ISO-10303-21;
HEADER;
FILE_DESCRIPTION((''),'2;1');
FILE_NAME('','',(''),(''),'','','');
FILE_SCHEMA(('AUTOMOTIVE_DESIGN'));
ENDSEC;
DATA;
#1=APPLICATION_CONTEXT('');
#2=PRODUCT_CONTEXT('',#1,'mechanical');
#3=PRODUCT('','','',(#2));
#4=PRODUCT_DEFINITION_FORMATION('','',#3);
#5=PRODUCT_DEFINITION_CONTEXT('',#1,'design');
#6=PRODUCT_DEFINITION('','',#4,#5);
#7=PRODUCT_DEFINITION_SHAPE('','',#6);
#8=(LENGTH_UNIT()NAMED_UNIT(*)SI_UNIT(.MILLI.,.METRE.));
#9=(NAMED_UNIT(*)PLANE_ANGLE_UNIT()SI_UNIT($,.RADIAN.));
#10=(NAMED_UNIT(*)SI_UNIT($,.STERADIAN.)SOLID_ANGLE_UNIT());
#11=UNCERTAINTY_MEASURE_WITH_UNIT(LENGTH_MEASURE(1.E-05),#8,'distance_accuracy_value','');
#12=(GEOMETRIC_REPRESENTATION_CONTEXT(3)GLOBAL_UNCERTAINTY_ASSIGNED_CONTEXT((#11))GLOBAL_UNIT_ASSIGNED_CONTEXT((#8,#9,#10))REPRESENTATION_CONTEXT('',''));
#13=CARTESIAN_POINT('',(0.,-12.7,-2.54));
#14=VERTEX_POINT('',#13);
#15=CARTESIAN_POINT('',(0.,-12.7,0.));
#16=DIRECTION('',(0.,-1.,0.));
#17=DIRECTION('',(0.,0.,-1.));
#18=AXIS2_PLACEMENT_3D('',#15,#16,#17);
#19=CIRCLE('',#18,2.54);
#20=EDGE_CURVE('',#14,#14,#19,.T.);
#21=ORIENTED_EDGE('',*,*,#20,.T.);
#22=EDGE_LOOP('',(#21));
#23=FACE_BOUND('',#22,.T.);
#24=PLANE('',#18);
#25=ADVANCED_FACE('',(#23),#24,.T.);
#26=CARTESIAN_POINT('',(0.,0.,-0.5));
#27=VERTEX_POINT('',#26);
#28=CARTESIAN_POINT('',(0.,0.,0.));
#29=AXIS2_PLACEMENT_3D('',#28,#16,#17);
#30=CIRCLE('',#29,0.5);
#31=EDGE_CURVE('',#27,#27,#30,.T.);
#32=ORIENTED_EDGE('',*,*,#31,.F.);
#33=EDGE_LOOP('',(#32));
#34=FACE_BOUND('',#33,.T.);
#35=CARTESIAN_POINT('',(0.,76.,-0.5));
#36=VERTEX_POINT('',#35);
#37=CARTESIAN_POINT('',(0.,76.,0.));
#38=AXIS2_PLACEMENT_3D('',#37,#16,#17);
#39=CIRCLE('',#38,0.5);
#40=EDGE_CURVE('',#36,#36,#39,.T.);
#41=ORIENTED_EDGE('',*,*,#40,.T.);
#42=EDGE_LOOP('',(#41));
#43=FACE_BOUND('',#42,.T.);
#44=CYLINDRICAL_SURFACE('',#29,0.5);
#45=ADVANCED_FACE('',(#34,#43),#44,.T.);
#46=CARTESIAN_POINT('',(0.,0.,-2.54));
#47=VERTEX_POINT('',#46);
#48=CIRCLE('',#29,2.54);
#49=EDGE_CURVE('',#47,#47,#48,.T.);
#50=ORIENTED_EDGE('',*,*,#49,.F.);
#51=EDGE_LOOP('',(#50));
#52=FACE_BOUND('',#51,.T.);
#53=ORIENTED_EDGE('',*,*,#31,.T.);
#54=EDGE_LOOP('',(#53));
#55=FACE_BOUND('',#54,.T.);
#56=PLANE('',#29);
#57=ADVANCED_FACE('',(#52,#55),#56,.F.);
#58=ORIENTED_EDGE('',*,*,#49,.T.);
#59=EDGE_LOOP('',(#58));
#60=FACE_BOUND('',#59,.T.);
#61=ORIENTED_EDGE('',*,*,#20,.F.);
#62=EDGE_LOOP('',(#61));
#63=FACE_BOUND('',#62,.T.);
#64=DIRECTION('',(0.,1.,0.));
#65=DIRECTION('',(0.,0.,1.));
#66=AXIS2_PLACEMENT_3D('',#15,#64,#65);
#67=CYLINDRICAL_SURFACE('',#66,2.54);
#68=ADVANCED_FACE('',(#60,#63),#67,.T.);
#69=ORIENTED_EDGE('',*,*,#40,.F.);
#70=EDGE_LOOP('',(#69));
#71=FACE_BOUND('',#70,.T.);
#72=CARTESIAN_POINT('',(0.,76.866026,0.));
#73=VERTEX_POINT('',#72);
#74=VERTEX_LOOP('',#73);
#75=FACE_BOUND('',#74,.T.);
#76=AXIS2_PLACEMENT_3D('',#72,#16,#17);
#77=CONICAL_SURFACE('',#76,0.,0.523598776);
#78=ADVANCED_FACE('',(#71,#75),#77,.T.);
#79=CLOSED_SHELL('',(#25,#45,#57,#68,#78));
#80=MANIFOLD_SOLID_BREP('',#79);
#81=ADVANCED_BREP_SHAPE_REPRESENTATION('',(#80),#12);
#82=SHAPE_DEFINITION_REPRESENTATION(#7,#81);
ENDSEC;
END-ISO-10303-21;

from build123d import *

# Parameters (mm, degrees)
SKETCH2_W           = 0.5
SKETCH2_H           = 76.000000146
SKETCH3_R           = 2.54
BOSS_EXTRUDE2_DEPTH = 12.7


with BuildPart() as part:
    # Sketch2 → Revolve1 (revolve)
    with BuildSketch(Plane(origin=(0, 0, 0), x_dir=(0, 0, -1), z_dir=(1, 0, 0))):
        with Locations((0.25, 38.000000073)):
            Rectangle(SKETCH2_W, SKETCH2_H)
        Polygon((0, 76.86602555), (0.5, 76.000000146), (0, 76.000000146), align=None)
    revolve(axis=Axis((0, 0, 0), (0, 1, 0)))

    # Sketch3 → Boss-Extrude2 (add)
    with BuildSketch(Plane(origin=(0, 0, 0), x_dir=(-1, 0, 0), z_dir=(0, -1, 0))):
        with Locations(Location((0, 0, 0), (0, 0, 90))):
            Circle(SKETCH3_R)
    extrude(amount=BOSS_EXTRUDE2_DEPTH)


solid = part.part
